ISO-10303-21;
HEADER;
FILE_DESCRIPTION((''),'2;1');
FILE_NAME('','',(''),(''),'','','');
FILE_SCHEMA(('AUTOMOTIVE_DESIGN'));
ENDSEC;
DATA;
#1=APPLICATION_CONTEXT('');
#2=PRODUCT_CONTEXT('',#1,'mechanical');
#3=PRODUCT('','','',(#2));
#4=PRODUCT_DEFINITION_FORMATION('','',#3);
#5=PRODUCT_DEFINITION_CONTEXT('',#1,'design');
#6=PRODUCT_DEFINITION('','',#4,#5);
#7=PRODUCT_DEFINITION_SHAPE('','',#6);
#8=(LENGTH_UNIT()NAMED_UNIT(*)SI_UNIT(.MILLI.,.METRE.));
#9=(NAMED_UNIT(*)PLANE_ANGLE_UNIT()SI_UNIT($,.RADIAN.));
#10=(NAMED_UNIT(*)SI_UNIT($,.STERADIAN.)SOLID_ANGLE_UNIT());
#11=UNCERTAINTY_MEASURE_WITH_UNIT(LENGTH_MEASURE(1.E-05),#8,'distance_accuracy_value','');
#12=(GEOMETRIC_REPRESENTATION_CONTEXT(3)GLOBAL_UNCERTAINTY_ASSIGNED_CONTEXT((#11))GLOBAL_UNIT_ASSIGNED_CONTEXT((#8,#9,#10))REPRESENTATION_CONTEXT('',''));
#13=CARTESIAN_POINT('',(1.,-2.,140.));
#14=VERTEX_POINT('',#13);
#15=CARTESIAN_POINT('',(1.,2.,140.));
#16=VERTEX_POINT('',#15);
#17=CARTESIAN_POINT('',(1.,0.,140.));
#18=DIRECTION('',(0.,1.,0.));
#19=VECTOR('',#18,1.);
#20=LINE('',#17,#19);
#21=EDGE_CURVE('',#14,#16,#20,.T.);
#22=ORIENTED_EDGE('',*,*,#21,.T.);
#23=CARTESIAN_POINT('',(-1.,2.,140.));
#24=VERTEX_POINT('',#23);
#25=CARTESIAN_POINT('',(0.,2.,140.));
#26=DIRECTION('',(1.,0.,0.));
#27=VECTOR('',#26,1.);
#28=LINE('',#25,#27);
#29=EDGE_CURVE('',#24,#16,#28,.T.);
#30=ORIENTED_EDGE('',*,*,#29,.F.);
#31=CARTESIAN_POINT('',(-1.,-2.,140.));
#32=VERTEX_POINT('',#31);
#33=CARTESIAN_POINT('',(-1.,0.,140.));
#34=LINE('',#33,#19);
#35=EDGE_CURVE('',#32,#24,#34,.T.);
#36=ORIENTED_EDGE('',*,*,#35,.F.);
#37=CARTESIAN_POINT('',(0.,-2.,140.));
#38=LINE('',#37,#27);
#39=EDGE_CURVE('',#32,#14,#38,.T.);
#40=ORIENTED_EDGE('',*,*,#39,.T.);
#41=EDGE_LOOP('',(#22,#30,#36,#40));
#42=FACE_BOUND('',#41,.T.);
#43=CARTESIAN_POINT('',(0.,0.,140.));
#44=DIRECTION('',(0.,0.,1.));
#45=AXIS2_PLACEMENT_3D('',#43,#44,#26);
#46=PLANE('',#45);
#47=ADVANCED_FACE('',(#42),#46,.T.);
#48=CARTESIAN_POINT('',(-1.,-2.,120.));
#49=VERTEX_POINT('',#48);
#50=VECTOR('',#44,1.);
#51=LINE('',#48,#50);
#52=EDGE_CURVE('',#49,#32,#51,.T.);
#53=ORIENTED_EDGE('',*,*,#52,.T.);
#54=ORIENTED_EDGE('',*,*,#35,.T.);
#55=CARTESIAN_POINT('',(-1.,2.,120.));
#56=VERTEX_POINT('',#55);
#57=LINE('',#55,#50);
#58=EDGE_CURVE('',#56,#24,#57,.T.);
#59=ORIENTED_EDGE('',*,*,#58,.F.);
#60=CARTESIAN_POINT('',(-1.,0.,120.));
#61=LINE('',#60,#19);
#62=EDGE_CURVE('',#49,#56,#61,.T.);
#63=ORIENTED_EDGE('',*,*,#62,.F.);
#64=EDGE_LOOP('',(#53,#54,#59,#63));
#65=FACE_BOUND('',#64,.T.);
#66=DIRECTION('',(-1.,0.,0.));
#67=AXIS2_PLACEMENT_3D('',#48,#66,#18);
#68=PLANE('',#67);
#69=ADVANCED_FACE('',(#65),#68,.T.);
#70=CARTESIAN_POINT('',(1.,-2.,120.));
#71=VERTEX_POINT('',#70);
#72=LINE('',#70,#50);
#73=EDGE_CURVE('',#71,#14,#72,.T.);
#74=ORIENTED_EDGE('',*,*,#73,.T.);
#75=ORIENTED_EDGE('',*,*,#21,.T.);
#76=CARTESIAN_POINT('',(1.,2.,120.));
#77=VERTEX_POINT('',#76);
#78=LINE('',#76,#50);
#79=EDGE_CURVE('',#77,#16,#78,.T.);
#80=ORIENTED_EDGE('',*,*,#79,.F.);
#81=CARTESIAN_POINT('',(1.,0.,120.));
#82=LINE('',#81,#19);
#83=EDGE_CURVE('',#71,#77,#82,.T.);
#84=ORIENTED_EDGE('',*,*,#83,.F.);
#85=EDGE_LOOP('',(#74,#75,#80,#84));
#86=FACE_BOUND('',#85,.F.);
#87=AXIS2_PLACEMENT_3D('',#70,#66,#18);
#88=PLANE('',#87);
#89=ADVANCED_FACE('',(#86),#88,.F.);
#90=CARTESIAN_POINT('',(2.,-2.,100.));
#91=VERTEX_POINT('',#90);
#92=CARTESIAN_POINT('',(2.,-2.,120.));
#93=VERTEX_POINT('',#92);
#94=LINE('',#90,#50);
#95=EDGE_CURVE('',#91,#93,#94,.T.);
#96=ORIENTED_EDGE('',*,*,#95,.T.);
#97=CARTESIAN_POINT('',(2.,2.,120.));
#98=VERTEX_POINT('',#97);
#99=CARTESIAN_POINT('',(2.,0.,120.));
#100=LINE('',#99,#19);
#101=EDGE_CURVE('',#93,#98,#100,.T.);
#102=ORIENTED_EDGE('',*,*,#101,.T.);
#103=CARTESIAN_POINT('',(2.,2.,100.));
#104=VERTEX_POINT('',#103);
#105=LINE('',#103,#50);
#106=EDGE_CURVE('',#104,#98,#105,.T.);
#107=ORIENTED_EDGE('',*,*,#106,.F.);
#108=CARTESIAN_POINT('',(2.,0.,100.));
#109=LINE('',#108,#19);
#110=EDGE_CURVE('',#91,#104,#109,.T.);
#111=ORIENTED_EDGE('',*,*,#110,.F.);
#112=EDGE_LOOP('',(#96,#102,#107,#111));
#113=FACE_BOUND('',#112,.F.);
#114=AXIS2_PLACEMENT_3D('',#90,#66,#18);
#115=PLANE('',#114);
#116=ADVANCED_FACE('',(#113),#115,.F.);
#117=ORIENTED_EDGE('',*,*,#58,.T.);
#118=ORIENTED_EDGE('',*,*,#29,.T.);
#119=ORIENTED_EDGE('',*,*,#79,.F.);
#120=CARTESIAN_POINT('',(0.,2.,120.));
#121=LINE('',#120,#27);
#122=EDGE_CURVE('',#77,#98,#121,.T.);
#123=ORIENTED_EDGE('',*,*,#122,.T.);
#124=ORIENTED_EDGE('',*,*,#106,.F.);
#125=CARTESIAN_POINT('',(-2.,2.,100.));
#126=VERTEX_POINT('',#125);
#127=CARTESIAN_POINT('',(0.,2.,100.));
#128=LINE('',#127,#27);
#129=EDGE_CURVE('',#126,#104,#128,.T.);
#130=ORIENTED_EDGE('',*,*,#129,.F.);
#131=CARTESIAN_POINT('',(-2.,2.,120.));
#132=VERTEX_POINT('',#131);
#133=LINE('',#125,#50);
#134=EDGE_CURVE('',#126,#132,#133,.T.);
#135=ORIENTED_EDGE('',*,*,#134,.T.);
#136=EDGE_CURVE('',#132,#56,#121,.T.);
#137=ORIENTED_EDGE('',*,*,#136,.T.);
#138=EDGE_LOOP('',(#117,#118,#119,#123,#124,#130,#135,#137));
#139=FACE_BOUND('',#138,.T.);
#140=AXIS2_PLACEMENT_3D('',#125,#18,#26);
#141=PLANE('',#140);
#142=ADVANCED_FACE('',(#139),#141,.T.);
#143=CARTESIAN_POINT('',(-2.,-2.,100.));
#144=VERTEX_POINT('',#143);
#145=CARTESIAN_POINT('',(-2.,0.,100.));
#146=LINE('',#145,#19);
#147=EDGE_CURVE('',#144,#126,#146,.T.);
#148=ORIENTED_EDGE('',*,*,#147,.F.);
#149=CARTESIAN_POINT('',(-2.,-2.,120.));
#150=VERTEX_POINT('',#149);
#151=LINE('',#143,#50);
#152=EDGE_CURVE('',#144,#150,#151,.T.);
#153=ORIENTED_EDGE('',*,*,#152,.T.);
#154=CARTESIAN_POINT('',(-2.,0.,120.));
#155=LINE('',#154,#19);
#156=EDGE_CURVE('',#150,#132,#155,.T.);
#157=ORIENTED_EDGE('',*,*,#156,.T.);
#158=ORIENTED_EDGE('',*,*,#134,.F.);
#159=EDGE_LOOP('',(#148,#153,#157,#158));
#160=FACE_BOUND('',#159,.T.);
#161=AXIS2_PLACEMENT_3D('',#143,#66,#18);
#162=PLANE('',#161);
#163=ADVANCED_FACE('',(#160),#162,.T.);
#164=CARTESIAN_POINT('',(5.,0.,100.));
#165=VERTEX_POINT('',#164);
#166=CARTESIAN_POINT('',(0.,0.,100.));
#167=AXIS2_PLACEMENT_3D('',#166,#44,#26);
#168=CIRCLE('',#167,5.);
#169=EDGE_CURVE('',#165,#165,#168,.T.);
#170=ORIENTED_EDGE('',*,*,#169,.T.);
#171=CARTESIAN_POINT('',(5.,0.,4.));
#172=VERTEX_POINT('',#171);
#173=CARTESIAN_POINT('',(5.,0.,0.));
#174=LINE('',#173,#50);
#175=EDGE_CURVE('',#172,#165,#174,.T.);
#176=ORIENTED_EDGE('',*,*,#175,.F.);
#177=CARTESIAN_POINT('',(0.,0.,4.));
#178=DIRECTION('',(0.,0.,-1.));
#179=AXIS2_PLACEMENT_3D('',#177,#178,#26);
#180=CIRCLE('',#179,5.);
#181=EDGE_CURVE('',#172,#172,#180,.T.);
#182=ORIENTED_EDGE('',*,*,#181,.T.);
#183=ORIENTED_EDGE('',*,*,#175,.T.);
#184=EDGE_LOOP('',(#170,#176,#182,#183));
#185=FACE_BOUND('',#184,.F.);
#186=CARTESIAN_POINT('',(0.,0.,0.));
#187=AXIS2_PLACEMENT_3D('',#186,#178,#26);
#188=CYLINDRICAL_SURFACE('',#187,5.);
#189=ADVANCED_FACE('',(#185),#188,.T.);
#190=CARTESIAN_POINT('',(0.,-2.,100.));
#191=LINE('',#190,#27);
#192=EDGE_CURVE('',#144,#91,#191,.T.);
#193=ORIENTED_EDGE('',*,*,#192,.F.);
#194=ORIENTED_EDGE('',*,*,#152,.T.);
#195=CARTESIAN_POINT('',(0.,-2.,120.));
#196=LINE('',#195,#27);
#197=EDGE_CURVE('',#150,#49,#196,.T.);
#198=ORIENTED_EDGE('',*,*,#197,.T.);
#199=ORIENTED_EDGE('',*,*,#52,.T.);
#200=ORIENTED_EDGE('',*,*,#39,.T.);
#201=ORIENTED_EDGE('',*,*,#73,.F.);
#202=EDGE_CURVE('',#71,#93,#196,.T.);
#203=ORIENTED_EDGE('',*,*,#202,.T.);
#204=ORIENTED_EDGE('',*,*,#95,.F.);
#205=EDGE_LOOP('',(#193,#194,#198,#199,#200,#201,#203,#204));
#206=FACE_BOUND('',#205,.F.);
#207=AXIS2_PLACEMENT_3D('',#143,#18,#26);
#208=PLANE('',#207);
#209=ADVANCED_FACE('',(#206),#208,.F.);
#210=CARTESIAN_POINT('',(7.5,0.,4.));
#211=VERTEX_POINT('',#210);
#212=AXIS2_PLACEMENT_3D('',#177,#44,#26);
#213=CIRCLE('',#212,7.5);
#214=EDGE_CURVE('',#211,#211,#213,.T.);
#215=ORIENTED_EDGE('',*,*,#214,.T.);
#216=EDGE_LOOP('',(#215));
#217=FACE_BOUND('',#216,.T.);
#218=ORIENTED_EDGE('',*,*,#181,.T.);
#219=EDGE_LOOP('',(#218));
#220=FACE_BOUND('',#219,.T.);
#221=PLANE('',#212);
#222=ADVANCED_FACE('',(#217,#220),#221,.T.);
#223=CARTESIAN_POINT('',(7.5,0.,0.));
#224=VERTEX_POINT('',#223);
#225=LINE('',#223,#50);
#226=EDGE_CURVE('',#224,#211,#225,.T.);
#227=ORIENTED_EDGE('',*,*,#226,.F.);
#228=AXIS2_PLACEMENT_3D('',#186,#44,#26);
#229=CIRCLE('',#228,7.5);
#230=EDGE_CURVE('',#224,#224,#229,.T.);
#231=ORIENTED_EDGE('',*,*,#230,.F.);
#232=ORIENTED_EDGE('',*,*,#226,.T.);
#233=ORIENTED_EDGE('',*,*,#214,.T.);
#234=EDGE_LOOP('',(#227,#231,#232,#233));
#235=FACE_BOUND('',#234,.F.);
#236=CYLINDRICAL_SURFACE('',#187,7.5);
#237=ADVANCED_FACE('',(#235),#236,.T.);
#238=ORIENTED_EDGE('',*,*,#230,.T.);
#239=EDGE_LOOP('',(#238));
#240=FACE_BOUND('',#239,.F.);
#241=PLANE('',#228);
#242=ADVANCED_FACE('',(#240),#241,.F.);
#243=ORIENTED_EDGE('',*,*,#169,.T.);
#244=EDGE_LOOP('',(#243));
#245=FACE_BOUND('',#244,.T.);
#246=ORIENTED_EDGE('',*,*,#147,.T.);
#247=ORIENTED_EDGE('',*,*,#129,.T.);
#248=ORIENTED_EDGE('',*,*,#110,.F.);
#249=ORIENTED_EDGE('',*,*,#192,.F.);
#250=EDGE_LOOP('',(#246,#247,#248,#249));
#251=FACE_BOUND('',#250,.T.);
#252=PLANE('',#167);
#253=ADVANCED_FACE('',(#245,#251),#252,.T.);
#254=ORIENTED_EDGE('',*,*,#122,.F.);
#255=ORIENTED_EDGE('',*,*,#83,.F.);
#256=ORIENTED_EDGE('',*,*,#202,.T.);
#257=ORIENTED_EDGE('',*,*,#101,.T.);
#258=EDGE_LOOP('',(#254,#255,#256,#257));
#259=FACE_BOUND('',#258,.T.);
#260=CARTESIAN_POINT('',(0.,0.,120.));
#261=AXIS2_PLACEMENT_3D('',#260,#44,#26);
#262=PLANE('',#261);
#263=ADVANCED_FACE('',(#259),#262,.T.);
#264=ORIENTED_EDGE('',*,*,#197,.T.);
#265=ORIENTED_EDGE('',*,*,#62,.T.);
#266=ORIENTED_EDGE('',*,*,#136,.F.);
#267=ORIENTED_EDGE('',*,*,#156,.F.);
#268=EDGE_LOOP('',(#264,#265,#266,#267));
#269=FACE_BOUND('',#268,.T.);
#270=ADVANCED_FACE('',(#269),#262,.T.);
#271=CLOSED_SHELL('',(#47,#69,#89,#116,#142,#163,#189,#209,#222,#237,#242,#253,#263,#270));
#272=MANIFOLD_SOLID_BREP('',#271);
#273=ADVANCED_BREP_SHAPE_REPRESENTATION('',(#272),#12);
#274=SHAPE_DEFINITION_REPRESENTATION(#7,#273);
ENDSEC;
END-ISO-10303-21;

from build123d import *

# Parameters (mm, degrees)
F0_R     = 7.5
F1_DEPTH = 4
F2_R     = 5
F3_DEPTH = 100
F4_W     = 4
F4_H     = 4
F5_DEPTH = 20
F6_W     = 2
F6_H     = 4
F7_DEPTH = 20


with BuildPart() as f1:
    # F0 (on Top) → F1 (new body)
    with BuildSketch(Plane.XY):
        Circle(F0_R)
    extrude(amount=F1_DEPTH)

    # F2 (on Top) → F3 (join)
    with BuildSketch(Plane.XY):
        Circle(F2_R)
    extrude(amount=F3_DEPTH)

    # F4 (on face) → F5 (join)
    with BuildSketch(Plane.XY.offset(100)):
        Rectangle(F4_W, F4_H)
    extrude(amount=F5_DEPTH)

    # F6 (on face) → F7 (join)
    with BuildSketch(Plane.XY.offset(120)):
        Rectangle(F6_W, F6_H)
    extrude(amount=F7_DEPTH)


solid = f1.part
